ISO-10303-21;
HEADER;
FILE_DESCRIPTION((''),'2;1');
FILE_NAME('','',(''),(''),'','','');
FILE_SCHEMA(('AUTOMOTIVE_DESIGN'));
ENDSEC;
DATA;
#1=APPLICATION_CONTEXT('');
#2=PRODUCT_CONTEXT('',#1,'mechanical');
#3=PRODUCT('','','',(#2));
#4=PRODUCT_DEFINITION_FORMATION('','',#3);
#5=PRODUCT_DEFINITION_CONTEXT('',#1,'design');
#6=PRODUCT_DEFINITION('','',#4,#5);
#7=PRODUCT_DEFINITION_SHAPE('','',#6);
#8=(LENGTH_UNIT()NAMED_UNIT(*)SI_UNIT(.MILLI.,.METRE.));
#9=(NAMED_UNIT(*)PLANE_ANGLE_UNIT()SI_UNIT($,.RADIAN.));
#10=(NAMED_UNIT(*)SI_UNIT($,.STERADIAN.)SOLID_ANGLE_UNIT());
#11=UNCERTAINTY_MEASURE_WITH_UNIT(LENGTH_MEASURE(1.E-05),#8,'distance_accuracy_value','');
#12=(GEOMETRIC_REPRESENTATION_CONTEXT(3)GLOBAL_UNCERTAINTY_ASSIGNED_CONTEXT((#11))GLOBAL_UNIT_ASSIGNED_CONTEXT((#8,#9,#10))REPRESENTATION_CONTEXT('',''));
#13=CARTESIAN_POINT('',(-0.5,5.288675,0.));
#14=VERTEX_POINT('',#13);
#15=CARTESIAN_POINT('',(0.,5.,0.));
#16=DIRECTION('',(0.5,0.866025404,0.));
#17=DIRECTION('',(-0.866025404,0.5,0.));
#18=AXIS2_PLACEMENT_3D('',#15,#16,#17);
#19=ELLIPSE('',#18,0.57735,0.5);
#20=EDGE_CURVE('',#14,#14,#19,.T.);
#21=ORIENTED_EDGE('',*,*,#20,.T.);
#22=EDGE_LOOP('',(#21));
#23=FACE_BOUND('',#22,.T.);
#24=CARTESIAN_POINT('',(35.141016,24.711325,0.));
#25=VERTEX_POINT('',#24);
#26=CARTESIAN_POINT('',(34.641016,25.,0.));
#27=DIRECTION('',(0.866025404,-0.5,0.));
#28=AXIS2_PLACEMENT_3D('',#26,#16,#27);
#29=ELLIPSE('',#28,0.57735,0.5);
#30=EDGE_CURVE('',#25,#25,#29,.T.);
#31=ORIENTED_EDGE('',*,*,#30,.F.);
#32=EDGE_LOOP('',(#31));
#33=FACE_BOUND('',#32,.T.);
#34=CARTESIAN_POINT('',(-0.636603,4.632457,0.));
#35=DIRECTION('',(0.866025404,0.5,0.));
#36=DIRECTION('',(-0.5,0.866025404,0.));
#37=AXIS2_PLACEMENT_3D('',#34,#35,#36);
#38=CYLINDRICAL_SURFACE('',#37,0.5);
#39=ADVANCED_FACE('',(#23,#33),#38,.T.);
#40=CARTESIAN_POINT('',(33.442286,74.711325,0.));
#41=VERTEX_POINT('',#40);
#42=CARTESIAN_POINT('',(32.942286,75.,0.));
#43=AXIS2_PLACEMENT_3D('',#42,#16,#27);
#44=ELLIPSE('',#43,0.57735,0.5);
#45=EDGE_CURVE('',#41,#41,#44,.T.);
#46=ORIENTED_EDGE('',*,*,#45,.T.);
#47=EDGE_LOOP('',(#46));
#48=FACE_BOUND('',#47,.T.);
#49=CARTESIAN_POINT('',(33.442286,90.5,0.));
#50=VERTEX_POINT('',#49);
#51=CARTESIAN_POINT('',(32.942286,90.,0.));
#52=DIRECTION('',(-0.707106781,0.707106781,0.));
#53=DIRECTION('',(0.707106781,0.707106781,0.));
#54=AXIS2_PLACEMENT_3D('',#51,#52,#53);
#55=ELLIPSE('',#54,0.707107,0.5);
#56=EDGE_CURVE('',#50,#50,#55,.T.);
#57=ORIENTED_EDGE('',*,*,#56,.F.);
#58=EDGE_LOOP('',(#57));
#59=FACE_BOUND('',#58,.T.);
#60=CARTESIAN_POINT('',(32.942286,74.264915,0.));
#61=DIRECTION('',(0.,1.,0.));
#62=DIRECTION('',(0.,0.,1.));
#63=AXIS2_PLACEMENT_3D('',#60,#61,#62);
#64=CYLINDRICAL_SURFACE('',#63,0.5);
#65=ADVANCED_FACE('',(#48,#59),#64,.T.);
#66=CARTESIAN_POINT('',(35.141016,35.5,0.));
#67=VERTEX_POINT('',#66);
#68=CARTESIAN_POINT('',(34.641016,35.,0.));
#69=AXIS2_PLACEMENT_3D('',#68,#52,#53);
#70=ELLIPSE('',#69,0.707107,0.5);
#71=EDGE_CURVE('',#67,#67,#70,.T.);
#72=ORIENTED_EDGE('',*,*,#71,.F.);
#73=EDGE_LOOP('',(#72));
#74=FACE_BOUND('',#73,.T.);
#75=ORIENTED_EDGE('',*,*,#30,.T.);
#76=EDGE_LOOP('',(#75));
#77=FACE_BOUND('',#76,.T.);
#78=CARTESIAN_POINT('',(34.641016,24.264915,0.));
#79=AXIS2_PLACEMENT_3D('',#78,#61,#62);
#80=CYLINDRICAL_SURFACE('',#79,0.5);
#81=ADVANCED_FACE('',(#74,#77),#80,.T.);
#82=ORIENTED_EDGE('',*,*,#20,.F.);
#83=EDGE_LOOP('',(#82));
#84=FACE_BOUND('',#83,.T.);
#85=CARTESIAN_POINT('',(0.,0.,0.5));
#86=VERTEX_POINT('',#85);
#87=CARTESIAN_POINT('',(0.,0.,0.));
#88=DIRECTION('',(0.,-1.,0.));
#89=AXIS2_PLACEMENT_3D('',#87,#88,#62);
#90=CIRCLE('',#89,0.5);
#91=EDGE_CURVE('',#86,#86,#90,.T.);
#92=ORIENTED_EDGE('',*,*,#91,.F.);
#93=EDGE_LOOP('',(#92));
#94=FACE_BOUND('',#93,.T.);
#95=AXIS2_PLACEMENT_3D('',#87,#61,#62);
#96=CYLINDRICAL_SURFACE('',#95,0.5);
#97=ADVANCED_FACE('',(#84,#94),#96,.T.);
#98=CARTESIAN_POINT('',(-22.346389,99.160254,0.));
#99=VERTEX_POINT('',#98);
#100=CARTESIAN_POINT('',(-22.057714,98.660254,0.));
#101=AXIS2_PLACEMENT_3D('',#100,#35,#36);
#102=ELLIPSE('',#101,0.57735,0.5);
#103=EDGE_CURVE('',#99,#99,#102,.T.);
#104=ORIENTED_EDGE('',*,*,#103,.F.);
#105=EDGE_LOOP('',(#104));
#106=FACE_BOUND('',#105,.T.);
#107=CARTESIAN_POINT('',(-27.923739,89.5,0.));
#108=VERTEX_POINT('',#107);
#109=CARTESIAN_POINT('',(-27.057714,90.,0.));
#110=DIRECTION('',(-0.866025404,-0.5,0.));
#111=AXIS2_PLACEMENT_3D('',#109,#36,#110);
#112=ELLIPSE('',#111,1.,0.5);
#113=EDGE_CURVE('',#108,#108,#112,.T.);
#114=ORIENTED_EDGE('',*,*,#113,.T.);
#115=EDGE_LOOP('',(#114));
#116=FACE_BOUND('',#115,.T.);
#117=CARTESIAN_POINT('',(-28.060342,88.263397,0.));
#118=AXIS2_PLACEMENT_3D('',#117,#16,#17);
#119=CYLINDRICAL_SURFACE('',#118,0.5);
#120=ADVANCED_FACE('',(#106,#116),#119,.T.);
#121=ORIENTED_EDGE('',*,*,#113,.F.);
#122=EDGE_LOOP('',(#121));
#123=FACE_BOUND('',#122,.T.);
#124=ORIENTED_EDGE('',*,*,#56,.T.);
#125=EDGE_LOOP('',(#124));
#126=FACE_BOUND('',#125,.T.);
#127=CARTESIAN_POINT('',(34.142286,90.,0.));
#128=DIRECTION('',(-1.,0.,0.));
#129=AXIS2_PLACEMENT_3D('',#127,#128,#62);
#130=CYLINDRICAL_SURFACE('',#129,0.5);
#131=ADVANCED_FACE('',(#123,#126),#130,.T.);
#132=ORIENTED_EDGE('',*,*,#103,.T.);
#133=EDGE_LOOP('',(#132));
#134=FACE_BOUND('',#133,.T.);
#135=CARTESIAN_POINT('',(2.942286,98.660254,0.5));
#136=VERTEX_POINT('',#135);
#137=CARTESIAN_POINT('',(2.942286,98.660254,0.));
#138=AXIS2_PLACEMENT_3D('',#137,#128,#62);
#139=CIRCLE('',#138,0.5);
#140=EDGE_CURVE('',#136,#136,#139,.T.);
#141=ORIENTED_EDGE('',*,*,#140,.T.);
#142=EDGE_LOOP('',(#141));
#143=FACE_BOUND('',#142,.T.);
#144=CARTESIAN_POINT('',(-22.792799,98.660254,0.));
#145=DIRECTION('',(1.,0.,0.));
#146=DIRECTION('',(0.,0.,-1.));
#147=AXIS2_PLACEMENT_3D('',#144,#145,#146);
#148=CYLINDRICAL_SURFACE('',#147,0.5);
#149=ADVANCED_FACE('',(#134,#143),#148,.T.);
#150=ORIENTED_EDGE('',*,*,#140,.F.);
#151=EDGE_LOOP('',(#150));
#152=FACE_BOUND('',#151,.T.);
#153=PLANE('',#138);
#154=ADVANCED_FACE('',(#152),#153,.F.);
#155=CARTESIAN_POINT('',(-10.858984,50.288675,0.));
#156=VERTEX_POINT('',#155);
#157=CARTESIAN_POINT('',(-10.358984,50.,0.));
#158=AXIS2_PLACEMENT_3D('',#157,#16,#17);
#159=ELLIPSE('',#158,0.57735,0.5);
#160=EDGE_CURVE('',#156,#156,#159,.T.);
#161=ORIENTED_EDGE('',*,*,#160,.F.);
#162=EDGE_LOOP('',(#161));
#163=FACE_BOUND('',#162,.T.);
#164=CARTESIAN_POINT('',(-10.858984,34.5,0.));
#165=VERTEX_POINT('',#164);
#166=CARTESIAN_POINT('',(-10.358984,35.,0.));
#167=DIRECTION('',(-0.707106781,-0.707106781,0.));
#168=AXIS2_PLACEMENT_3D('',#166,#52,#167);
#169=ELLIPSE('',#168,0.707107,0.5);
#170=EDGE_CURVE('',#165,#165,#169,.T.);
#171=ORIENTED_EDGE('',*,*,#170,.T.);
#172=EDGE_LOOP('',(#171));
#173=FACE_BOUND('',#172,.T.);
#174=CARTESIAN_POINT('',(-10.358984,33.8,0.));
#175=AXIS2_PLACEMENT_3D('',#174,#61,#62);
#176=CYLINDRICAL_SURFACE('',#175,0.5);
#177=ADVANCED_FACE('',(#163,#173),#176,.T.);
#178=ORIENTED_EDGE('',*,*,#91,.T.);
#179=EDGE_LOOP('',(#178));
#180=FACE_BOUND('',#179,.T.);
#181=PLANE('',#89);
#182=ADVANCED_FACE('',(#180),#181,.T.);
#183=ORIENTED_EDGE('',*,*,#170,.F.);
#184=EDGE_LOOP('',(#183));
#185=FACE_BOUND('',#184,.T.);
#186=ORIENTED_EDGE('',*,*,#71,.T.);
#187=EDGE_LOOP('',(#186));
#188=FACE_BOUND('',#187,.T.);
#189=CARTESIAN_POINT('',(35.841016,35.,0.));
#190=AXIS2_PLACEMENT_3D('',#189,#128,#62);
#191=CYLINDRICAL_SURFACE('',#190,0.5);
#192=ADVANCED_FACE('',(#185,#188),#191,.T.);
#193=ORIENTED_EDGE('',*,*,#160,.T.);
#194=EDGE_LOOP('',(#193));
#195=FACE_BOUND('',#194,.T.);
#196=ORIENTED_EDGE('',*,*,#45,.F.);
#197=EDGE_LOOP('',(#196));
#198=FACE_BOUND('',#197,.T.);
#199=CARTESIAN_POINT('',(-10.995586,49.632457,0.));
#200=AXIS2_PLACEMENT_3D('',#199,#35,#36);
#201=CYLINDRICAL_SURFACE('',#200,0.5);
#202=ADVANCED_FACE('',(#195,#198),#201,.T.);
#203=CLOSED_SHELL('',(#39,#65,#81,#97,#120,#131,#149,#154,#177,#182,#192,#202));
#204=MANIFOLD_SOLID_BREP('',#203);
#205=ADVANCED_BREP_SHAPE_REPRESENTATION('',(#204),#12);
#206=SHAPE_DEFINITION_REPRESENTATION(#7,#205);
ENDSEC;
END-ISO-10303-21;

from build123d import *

# Parameters (mm, degrees)
SWEEP1_PROFILE_R = 0.5


with BuildPart() as part:
    # Sweep1: sweep along a path in Schizzo39
    with BuildLine(Plane.XY) as sweep1_path:
        Line((0, 0), (0, 5))
        Line((0, 5), (34.641016151, 25))
        Line((34.641016151, 25), (34.641016151, 35))
        Line((34.641016151, 35), (-10.358983849, 35))
        Line((-10.358983849, 35), (-10.358983849, 50))
        Line((-10.358983849, 50), (32.942286341, 75))
        Line((32.942286341, 75), (32.942286341, 90))
        Line((32.942286341, 90), (-27.057713659, 90))
        Line((-27.057713659, 90), (-22.057713659, 98.660254038))
        Line((-22.057713659, 98.660254038), (2.942286341, 98.660254038))
    # Sweep1 profile (on start of the path) → Sweep1 (sweep)
    with BuildSketch(Plane.ZX):
        Circle(SWEEP1_PROFILE_R)
    sweep(path=sweep1_path.line, transition=Transition.RIGHT)


solid = part.part
